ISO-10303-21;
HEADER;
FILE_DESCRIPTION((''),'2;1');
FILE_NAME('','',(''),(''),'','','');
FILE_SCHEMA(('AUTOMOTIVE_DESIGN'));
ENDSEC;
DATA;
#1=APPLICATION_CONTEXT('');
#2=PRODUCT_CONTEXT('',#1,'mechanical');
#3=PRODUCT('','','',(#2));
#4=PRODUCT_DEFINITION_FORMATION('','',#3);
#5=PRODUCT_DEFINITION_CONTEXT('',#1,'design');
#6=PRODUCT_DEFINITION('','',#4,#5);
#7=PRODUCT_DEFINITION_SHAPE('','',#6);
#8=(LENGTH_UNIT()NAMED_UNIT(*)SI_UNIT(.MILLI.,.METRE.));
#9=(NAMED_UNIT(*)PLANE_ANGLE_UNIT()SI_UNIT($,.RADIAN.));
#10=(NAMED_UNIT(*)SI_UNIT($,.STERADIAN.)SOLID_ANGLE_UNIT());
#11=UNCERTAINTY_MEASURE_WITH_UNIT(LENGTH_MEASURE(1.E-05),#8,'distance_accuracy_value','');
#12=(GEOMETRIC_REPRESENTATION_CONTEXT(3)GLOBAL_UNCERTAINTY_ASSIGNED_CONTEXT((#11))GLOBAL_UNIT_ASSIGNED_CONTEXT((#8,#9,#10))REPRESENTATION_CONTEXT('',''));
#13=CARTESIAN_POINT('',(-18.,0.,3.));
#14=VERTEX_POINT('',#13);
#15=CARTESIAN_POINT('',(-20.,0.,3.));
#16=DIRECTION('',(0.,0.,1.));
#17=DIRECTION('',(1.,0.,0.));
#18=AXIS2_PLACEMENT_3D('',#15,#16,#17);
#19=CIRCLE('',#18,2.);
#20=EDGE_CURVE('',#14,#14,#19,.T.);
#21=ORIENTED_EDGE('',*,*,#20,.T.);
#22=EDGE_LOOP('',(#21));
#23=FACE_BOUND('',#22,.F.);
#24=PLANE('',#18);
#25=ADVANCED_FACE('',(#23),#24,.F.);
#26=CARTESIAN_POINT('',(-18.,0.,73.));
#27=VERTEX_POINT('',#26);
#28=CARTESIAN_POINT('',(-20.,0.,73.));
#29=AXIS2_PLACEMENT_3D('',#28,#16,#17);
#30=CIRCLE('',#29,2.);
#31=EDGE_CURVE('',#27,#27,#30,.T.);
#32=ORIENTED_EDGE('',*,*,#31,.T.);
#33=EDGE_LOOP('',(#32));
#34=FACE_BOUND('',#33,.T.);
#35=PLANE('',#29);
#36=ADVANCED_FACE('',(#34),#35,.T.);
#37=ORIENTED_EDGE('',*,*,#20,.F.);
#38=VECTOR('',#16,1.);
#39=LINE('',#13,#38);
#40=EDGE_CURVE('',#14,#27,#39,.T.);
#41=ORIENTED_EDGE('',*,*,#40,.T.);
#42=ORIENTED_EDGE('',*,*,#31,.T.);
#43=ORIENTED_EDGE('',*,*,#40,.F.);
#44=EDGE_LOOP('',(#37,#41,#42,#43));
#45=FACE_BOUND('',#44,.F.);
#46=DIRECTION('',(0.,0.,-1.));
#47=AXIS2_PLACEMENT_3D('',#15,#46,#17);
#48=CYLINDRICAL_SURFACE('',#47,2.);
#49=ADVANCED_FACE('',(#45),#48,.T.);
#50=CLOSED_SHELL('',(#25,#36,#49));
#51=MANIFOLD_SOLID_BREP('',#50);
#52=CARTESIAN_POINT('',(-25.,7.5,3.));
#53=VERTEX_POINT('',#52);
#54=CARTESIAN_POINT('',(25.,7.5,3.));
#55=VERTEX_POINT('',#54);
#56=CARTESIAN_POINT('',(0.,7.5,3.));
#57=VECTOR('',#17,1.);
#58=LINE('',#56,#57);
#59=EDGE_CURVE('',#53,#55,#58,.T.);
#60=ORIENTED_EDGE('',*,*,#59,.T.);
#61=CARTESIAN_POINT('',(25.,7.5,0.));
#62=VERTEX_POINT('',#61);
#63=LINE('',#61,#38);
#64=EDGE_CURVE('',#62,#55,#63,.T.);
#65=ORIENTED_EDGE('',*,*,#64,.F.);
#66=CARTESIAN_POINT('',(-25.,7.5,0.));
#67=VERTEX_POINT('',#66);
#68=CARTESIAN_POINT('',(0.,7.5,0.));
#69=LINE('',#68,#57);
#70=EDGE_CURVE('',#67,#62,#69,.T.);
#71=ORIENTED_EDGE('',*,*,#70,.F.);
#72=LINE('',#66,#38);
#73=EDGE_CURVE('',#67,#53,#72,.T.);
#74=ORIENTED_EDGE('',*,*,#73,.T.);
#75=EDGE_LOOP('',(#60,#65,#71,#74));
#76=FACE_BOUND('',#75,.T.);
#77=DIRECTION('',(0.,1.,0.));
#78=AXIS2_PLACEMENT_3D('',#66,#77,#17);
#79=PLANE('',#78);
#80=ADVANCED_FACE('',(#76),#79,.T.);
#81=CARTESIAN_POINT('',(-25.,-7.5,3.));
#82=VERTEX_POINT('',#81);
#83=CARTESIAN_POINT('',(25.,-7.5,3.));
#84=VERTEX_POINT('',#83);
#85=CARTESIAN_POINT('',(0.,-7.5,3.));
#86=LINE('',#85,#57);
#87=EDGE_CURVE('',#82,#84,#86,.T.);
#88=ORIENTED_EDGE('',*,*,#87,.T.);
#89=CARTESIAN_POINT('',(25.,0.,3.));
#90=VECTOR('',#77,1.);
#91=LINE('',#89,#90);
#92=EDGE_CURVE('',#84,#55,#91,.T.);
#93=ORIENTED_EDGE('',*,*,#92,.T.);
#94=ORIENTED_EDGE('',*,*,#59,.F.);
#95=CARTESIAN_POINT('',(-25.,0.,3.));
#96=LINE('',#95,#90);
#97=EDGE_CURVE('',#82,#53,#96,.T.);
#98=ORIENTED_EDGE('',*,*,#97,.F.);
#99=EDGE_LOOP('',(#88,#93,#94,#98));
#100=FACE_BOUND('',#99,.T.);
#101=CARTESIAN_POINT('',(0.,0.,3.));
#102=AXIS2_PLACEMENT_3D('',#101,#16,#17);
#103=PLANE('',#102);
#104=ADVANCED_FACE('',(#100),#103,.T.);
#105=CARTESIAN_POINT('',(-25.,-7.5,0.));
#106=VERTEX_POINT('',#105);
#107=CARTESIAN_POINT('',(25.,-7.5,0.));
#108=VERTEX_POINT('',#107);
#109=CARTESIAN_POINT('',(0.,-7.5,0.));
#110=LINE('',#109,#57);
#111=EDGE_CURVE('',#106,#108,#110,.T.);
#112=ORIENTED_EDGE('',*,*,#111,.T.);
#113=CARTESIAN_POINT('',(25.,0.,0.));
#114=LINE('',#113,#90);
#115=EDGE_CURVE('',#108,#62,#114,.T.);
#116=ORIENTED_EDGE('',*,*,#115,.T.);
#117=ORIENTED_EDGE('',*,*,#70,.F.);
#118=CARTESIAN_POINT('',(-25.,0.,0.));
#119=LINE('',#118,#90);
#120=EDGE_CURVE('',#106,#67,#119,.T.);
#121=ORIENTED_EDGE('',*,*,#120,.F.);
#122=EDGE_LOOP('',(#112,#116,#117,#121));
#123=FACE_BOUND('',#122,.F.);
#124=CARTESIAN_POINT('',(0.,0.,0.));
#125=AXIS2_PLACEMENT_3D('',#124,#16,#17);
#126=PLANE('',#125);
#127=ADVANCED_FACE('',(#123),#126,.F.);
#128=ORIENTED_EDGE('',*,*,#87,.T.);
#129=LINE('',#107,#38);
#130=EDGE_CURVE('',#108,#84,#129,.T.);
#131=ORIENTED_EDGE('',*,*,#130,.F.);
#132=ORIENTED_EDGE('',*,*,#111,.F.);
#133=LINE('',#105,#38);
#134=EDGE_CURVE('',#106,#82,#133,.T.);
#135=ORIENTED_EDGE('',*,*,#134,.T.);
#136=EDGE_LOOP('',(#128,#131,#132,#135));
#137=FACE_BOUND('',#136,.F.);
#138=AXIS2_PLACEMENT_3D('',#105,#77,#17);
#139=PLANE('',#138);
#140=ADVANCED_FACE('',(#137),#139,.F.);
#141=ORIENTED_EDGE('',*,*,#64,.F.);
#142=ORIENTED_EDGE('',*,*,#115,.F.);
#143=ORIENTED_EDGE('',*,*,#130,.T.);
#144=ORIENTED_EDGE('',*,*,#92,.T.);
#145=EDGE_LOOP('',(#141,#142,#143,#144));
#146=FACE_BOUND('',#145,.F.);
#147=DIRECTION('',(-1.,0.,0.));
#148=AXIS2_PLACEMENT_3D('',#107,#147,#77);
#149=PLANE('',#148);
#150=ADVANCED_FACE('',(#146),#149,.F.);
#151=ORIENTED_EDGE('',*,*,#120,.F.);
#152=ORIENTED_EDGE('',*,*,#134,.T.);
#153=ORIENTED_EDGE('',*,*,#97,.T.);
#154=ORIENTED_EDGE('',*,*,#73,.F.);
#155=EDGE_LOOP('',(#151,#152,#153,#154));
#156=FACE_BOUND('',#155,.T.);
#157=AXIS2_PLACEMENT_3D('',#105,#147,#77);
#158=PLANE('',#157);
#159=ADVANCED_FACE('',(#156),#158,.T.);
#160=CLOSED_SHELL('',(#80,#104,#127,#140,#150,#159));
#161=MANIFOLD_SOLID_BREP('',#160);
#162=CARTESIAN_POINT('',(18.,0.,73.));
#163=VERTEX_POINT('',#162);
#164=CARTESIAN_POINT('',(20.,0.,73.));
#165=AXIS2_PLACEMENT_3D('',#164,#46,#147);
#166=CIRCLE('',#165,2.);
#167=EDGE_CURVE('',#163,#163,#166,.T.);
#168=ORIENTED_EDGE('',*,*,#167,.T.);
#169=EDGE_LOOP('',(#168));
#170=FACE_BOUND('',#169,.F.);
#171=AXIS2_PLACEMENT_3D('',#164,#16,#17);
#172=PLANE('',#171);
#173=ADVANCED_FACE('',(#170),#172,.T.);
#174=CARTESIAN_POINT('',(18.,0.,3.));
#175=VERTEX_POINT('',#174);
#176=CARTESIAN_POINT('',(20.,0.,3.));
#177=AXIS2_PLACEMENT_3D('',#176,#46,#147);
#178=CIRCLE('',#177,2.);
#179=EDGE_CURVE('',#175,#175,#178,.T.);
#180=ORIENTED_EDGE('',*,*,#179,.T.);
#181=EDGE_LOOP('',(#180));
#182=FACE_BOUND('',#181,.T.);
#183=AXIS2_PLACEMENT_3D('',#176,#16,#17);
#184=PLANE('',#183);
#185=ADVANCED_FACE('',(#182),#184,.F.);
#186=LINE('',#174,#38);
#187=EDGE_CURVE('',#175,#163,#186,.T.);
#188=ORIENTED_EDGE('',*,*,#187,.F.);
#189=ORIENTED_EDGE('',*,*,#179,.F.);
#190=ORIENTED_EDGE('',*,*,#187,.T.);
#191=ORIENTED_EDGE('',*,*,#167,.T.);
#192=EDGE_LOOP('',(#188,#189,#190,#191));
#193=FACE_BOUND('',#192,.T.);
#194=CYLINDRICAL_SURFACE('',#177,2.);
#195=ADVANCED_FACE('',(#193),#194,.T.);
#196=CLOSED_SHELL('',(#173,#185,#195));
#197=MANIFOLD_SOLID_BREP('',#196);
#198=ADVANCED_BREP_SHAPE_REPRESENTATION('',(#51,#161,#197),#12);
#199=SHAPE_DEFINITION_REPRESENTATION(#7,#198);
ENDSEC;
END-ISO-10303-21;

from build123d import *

# Parameters (mm, degrees)
F0_W     = 50
F0_H     = 15
F1_DEPTH = 3
F2_R     = 2
F3_DEPTH = 70


with BuildPart() as f1:
    # F0 (on Top) → F1 (new body)
    with BuildSketch(Plane.XY):
        Rectangle(F0_W, F0_H)
    extrude(amount=F1_DEPTH)


with BuildPart() as f3:
    # F2 (on face) → F3 (new body)
    with BuildSketch(Plane.XY.offset(3)):
        with Locations((-20, 0)):
            Circle(F2_R)
    extrude(amount=F3_DEPTH)


with BuildPart() as f4_1:
    # F4: instance of F3
    add(f3.part.mirror(Plane.YZ))


solid = Compound([f1.part, f3.part, f4_1.part])
